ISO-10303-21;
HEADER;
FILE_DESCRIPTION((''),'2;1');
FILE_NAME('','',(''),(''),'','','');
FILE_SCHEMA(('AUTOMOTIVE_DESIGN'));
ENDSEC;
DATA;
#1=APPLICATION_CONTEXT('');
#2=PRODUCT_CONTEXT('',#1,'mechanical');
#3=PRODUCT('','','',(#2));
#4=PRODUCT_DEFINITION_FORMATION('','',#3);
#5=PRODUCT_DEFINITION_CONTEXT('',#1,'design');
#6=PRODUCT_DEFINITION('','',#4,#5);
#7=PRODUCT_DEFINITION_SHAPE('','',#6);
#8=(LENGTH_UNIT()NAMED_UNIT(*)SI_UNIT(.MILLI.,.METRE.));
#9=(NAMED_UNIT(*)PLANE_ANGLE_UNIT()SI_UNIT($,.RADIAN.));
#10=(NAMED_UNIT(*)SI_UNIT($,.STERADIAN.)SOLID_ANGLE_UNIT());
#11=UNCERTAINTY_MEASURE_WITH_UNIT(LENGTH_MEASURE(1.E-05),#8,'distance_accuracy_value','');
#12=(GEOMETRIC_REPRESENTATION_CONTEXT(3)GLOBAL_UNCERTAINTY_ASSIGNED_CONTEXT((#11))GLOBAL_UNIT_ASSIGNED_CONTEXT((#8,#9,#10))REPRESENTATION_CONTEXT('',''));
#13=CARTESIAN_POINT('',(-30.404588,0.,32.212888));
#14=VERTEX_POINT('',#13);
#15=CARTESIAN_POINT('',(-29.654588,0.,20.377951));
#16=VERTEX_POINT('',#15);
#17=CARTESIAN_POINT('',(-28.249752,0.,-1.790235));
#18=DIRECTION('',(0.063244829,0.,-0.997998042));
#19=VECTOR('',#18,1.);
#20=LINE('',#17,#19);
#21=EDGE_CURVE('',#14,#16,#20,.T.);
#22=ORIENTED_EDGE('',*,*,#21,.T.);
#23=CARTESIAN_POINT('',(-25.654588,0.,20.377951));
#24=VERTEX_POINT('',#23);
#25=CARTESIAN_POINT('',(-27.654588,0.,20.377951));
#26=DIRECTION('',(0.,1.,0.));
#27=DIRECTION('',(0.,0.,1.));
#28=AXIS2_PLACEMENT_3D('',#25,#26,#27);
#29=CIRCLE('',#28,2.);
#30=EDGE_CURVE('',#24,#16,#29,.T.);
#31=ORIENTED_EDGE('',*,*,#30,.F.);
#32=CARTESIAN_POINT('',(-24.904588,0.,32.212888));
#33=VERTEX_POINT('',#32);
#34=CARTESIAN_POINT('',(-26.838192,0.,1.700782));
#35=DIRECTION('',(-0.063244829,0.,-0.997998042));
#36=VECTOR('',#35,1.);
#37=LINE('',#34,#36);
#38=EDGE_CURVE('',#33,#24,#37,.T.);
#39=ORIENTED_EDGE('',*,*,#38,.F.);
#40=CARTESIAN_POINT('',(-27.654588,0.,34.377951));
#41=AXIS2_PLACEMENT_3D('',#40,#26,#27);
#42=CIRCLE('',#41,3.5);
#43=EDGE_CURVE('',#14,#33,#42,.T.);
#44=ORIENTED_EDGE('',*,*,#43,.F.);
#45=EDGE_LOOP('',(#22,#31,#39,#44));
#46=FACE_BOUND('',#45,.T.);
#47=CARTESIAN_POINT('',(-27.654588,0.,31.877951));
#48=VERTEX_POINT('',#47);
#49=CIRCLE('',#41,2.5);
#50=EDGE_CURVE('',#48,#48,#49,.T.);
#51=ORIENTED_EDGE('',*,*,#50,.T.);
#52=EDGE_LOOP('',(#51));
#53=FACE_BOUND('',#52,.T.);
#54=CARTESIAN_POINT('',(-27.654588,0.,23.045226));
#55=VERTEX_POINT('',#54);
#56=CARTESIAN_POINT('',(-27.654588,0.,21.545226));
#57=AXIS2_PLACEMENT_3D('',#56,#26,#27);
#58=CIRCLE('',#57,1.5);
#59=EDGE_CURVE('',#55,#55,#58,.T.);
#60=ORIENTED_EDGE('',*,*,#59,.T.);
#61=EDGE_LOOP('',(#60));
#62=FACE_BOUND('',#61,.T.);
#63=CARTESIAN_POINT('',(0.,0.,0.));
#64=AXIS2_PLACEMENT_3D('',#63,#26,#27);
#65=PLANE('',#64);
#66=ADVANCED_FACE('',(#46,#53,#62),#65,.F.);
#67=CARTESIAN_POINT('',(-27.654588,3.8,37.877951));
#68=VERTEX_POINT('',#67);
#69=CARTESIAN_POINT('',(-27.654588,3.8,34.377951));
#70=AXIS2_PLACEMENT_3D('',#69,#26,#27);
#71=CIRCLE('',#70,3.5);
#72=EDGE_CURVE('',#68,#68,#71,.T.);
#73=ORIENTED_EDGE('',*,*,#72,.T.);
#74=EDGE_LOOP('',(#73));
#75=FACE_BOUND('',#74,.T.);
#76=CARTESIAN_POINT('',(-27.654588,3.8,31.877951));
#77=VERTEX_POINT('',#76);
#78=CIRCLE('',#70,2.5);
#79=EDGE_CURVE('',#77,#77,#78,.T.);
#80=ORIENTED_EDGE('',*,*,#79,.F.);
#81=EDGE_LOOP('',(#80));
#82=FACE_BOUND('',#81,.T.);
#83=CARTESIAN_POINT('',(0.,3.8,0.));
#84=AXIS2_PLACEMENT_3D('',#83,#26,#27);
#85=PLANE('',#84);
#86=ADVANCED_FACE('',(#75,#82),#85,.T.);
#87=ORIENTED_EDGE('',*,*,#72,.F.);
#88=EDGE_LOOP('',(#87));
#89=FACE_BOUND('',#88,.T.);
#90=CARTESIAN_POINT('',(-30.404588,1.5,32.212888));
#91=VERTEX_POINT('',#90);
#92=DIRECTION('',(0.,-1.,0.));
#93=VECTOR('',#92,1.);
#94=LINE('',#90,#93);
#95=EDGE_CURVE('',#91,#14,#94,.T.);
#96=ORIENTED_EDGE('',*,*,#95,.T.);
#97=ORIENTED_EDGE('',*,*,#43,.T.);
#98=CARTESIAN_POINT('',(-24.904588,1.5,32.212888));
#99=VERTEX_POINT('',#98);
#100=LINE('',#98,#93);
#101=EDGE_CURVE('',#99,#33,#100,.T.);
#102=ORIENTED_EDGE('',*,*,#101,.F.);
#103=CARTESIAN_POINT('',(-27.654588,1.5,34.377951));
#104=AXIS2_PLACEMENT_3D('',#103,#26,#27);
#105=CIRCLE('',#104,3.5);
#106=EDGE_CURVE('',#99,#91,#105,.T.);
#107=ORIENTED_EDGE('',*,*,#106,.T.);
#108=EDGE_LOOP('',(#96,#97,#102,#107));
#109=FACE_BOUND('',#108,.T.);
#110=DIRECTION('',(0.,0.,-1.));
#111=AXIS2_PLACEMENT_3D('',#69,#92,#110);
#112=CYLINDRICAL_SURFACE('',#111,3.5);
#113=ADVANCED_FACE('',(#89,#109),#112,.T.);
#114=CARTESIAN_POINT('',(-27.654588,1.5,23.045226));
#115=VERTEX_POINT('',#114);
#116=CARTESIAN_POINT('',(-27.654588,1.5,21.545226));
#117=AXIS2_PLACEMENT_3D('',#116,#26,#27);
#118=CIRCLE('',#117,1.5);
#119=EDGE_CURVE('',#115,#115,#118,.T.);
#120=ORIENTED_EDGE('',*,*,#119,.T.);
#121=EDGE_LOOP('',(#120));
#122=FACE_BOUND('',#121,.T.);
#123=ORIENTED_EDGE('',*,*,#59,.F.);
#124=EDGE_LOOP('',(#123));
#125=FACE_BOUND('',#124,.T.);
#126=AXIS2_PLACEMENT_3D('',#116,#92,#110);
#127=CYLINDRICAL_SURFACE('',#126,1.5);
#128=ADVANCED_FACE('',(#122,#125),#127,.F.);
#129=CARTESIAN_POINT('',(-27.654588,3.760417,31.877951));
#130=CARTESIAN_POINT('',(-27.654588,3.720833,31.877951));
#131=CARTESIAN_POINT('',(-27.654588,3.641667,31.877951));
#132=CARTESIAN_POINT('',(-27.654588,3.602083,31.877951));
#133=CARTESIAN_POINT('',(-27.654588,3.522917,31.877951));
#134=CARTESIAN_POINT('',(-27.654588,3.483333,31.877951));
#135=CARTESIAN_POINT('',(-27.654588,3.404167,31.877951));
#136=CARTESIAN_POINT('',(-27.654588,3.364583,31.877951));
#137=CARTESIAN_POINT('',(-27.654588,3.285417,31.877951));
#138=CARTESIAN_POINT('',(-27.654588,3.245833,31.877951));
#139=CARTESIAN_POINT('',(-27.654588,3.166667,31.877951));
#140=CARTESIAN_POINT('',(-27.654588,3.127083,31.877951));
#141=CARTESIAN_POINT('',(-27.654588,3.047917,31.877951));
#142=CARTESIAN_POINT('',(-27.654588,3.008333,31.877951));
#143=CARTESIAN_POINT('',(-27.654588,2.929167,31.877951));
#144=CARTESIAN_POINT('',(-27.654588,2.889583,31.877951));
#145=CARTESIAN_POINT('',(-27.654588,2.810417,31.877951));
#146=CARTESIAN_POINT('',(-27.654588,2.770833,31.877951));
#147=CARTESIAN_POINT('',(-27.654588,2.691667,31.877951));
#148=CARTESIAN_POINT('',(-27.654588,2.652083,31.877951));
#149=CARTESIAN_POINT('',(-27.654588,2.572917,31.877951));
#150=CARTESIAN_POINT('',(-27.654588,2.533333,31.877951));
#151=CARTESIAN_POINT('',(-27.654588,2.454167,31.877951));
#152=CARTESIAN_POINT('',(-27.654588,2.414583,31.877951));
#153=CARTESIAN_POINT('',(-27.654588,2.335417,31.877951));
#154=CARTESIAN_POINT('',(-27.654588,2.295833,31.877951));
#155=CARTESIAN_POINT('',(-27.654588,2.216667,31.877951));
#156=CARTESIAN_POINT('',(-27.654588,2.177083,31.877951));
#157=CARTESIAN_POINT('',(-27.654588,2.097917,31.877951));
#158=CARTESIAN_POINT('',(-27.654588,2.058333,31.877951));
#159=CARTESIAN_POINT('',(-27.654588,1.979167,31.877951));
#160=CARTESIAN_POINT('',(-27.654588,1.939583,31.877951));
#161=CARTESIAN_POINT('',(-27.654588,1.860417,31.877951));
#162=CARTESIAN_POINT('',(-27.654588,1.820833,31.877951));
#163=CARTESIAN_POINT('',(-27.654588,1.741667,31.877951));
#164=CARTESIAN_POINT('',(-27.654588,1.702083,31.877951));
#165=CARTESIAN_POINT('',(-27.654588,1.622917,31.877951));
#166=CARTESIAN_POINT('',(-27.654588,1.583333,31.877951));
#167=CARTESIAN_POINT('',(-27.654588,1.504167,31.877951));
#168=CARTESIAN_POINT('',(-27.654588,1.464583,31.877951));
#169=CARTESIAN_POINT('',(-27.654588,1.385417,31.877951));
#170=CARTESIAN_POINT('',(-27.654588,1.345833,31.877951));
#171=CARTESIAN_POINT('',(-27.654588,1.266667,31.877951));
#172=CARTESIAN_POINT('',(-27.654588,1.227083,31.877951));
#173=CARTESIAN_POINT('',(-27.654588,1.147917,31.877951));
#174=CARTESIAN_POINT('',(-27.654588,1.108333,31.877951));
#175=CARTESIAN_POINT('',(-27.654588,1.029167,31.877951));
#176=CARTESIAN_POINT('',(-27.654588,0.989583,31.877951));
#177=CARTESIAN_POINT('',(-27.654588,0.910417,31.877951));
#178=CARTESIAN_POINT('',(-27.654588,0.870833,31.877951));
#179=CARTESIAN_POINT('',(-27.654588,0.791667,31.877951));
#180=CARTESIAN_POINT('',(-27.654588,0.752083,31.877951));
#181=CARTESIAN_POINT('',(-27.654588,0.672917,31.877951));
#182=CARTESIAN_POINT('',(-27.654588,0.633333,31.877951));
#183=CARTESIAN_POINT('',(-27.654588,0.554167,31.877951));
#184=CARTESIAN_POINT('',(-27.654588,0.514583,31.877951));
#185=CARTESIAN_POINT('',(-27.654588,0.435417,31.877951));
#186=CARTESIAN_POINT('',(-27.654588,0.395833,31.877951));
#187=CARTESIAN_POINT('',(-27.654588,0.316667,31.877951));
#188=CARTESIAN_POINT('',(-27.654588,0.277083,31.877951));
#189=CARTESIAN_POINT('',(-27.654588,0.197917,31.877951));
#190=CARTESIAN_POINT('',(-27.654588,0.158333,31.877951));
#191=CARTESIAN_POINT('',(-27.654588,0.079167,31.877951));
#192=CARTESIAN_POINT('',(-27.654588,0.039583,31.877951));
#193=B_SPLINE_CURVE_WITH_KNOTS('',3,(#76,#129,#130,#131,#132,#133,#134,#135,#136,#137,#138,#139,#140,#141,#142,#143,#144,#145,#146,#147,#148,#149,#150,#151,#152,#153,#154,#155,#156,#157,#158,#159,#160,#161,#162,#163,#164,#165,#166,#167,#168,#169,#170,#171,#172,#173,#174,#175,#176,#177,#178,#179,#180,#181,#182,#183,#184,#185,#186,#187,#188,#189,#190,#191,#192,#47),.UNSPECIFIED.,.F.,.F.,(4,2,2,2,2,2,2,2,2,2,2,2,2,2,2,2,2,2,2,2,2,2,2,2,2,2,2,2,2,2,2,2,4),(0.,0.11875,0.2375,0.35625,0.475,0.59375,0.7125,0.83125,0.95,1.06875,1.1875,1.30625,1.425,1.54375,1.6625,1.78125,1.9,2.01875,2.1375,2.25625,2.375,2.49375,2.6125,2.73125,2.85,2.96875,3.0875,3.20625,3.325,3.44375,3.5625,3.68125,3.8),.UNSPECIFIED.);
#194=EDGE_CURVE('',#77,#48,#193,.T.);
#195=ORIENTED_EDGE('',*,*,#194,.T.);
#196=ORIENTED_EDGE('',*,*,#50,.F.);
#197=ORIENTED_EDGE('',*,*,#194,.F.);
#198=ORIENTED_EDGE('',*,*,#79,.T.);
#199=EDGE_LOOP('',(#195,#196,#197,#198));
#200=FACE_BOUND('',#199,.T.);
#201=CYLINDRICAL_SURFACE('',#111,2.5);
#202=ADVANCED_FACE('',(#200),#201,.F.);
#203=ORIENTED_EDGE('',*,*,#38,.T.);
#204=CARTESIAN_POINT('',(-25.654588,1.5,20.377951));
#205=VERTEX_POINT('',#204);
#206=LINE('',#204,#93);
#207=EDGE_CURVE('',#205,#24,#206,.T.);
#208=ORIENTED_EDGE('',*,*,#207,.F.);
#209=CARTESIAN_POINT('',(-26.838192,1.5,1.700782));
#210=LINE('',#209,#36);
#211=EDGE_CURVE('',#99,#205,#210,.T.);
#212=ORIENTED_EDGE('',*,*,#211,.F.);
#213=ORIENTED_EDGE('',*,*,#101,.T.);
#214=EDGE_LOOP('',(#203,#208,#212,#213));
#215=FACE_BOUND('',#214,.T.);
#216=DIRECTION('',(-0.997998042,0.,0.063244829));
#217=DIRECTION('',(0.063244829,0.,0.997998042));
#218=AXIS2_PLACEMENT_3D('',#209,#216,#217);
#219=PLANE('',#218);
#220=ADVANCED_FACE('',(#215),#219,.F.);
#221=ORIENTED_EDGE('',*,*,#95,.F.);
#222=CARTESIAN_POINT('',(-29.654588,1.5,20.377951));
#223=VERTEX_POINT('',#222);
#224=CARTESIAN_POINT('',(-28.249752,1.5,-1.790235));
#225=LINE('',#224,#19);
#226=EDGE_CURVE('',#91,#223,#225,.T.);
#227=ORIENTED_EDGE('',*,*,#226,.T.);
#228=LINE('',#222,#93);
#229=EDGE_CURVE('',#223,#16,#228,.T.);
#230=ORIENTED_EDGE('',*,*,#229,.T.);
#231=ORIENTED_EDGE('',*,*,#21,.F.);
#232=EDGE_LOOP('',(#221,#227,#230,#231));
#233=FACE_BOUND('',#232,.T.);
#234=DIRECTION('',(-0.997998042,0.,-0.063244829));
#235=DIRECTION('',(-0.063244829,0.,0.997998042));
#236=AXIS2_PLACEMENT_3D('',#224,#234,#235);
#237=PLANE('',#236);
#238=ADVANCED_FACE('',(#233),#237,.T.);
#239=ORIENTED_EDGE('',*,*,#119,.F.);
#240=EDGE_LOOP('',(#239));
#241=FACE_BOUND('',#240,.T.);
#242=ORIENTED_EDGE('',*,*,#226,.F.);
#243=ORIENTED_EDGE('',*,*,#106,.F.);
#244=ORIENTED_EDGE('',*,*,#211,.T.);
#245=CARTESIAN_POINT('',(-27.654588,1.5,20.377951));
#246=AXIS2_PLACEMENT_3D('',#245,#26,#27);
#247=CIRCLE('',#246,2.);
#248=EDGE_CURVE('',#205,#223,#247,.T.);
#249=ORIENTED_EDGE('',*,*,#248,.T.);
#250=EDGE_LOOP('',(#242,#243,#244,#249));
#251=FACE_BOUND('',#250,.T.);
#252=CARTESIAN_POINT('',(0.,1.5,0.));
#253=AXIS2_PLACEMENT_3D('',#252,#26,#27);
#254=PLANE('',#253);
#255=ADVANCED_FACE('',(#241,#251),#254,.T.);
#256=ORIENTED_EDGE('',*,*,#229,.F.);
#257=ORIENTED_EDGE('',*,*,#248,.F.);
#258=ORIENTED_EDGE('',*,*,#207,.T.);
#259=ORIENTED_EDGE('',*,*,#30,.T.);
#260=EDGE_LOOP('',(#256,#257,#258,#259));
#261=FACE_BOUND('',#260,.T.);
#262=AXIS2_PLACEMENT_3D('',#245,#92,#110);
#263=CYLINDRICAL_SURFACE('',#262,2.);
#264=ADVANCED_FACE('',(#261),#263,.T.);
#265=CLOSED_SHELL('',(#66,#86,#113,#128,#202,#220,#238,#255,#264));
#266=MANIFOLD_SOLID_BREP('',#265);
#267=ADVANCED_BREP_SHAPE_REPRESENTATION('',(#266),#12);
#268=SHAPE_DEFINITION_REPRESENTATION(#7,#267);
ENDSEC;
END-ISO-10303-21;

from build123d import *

# Parameters (mm, degrees)
SKETCH1_R           = 1.5
BOSS_EXTRUDE4_DEPTH = 1.5
SKETCH1_7_R         = 2.5
BOSS_EXTRUDE5_DEPTH = 3.8


with BuildPart() as part:
    # Sketch1 → Boss-Extrude4 (new body)
    with BuildSketch(Plane(origin=(0, 0, 0), x_dir=(1, 0, 0), z_dir=(0, 1, 0))):
        with BuildLine():
            Line((-29.654588032, -20.377951177), (-30.404588032, -32.212887668))
            ThreePointArc((-30.404588032, -32.212887668), (-27.654588032, -30.877951177), (-24.904588032, -32.212887668))
            Line((-24.904588032, -32.212887668), (-25.654588032, -20.377951177))
            ThreePointArc((-25.654588032, -20.377951177), (-27.654588032, -18.377951177), (-29.654588032, -20.377951177))
        make_face()
        with Locations((-27.654588032, -21.545225809)):
            Circle(SKETCH1_R, mode=Mode.SUBTRACT)
    extrude(amount=BOSS_EXTRUDE4_DEPTH)

    # Sketch1<7> → Boss-Extrude5 (add)
    with BuildSketch(Plane(origin=(0, 0, 0), x_dir=(1, 0, 0), z_dir=(0, 1, 0))):
        with BuildLine():
            ThreePointArc((-24.904588032, -32.212887668), (-27.654588032, -30.877951177), (-30.404588032, -32.212887668))
            ThreePointArc((-30.404588032, -32.212887668), (-28.800231955, -37.685140316), (-24.154588032, -34.377951177))
            ThreePointArc((-24.154588032, -34.377951177), (-24.347398893, -33.232307253), (-24.904588032, -32.212887668))
        make_face()
        with Locations((-27.654588032, -34.377951177)):
            Circle(SKETCH1_7_R, mode=Mode.SUBTRACT)
    extrude(amount=BOSS_EXTRUDE5_DEPTH)


solid = part.part
